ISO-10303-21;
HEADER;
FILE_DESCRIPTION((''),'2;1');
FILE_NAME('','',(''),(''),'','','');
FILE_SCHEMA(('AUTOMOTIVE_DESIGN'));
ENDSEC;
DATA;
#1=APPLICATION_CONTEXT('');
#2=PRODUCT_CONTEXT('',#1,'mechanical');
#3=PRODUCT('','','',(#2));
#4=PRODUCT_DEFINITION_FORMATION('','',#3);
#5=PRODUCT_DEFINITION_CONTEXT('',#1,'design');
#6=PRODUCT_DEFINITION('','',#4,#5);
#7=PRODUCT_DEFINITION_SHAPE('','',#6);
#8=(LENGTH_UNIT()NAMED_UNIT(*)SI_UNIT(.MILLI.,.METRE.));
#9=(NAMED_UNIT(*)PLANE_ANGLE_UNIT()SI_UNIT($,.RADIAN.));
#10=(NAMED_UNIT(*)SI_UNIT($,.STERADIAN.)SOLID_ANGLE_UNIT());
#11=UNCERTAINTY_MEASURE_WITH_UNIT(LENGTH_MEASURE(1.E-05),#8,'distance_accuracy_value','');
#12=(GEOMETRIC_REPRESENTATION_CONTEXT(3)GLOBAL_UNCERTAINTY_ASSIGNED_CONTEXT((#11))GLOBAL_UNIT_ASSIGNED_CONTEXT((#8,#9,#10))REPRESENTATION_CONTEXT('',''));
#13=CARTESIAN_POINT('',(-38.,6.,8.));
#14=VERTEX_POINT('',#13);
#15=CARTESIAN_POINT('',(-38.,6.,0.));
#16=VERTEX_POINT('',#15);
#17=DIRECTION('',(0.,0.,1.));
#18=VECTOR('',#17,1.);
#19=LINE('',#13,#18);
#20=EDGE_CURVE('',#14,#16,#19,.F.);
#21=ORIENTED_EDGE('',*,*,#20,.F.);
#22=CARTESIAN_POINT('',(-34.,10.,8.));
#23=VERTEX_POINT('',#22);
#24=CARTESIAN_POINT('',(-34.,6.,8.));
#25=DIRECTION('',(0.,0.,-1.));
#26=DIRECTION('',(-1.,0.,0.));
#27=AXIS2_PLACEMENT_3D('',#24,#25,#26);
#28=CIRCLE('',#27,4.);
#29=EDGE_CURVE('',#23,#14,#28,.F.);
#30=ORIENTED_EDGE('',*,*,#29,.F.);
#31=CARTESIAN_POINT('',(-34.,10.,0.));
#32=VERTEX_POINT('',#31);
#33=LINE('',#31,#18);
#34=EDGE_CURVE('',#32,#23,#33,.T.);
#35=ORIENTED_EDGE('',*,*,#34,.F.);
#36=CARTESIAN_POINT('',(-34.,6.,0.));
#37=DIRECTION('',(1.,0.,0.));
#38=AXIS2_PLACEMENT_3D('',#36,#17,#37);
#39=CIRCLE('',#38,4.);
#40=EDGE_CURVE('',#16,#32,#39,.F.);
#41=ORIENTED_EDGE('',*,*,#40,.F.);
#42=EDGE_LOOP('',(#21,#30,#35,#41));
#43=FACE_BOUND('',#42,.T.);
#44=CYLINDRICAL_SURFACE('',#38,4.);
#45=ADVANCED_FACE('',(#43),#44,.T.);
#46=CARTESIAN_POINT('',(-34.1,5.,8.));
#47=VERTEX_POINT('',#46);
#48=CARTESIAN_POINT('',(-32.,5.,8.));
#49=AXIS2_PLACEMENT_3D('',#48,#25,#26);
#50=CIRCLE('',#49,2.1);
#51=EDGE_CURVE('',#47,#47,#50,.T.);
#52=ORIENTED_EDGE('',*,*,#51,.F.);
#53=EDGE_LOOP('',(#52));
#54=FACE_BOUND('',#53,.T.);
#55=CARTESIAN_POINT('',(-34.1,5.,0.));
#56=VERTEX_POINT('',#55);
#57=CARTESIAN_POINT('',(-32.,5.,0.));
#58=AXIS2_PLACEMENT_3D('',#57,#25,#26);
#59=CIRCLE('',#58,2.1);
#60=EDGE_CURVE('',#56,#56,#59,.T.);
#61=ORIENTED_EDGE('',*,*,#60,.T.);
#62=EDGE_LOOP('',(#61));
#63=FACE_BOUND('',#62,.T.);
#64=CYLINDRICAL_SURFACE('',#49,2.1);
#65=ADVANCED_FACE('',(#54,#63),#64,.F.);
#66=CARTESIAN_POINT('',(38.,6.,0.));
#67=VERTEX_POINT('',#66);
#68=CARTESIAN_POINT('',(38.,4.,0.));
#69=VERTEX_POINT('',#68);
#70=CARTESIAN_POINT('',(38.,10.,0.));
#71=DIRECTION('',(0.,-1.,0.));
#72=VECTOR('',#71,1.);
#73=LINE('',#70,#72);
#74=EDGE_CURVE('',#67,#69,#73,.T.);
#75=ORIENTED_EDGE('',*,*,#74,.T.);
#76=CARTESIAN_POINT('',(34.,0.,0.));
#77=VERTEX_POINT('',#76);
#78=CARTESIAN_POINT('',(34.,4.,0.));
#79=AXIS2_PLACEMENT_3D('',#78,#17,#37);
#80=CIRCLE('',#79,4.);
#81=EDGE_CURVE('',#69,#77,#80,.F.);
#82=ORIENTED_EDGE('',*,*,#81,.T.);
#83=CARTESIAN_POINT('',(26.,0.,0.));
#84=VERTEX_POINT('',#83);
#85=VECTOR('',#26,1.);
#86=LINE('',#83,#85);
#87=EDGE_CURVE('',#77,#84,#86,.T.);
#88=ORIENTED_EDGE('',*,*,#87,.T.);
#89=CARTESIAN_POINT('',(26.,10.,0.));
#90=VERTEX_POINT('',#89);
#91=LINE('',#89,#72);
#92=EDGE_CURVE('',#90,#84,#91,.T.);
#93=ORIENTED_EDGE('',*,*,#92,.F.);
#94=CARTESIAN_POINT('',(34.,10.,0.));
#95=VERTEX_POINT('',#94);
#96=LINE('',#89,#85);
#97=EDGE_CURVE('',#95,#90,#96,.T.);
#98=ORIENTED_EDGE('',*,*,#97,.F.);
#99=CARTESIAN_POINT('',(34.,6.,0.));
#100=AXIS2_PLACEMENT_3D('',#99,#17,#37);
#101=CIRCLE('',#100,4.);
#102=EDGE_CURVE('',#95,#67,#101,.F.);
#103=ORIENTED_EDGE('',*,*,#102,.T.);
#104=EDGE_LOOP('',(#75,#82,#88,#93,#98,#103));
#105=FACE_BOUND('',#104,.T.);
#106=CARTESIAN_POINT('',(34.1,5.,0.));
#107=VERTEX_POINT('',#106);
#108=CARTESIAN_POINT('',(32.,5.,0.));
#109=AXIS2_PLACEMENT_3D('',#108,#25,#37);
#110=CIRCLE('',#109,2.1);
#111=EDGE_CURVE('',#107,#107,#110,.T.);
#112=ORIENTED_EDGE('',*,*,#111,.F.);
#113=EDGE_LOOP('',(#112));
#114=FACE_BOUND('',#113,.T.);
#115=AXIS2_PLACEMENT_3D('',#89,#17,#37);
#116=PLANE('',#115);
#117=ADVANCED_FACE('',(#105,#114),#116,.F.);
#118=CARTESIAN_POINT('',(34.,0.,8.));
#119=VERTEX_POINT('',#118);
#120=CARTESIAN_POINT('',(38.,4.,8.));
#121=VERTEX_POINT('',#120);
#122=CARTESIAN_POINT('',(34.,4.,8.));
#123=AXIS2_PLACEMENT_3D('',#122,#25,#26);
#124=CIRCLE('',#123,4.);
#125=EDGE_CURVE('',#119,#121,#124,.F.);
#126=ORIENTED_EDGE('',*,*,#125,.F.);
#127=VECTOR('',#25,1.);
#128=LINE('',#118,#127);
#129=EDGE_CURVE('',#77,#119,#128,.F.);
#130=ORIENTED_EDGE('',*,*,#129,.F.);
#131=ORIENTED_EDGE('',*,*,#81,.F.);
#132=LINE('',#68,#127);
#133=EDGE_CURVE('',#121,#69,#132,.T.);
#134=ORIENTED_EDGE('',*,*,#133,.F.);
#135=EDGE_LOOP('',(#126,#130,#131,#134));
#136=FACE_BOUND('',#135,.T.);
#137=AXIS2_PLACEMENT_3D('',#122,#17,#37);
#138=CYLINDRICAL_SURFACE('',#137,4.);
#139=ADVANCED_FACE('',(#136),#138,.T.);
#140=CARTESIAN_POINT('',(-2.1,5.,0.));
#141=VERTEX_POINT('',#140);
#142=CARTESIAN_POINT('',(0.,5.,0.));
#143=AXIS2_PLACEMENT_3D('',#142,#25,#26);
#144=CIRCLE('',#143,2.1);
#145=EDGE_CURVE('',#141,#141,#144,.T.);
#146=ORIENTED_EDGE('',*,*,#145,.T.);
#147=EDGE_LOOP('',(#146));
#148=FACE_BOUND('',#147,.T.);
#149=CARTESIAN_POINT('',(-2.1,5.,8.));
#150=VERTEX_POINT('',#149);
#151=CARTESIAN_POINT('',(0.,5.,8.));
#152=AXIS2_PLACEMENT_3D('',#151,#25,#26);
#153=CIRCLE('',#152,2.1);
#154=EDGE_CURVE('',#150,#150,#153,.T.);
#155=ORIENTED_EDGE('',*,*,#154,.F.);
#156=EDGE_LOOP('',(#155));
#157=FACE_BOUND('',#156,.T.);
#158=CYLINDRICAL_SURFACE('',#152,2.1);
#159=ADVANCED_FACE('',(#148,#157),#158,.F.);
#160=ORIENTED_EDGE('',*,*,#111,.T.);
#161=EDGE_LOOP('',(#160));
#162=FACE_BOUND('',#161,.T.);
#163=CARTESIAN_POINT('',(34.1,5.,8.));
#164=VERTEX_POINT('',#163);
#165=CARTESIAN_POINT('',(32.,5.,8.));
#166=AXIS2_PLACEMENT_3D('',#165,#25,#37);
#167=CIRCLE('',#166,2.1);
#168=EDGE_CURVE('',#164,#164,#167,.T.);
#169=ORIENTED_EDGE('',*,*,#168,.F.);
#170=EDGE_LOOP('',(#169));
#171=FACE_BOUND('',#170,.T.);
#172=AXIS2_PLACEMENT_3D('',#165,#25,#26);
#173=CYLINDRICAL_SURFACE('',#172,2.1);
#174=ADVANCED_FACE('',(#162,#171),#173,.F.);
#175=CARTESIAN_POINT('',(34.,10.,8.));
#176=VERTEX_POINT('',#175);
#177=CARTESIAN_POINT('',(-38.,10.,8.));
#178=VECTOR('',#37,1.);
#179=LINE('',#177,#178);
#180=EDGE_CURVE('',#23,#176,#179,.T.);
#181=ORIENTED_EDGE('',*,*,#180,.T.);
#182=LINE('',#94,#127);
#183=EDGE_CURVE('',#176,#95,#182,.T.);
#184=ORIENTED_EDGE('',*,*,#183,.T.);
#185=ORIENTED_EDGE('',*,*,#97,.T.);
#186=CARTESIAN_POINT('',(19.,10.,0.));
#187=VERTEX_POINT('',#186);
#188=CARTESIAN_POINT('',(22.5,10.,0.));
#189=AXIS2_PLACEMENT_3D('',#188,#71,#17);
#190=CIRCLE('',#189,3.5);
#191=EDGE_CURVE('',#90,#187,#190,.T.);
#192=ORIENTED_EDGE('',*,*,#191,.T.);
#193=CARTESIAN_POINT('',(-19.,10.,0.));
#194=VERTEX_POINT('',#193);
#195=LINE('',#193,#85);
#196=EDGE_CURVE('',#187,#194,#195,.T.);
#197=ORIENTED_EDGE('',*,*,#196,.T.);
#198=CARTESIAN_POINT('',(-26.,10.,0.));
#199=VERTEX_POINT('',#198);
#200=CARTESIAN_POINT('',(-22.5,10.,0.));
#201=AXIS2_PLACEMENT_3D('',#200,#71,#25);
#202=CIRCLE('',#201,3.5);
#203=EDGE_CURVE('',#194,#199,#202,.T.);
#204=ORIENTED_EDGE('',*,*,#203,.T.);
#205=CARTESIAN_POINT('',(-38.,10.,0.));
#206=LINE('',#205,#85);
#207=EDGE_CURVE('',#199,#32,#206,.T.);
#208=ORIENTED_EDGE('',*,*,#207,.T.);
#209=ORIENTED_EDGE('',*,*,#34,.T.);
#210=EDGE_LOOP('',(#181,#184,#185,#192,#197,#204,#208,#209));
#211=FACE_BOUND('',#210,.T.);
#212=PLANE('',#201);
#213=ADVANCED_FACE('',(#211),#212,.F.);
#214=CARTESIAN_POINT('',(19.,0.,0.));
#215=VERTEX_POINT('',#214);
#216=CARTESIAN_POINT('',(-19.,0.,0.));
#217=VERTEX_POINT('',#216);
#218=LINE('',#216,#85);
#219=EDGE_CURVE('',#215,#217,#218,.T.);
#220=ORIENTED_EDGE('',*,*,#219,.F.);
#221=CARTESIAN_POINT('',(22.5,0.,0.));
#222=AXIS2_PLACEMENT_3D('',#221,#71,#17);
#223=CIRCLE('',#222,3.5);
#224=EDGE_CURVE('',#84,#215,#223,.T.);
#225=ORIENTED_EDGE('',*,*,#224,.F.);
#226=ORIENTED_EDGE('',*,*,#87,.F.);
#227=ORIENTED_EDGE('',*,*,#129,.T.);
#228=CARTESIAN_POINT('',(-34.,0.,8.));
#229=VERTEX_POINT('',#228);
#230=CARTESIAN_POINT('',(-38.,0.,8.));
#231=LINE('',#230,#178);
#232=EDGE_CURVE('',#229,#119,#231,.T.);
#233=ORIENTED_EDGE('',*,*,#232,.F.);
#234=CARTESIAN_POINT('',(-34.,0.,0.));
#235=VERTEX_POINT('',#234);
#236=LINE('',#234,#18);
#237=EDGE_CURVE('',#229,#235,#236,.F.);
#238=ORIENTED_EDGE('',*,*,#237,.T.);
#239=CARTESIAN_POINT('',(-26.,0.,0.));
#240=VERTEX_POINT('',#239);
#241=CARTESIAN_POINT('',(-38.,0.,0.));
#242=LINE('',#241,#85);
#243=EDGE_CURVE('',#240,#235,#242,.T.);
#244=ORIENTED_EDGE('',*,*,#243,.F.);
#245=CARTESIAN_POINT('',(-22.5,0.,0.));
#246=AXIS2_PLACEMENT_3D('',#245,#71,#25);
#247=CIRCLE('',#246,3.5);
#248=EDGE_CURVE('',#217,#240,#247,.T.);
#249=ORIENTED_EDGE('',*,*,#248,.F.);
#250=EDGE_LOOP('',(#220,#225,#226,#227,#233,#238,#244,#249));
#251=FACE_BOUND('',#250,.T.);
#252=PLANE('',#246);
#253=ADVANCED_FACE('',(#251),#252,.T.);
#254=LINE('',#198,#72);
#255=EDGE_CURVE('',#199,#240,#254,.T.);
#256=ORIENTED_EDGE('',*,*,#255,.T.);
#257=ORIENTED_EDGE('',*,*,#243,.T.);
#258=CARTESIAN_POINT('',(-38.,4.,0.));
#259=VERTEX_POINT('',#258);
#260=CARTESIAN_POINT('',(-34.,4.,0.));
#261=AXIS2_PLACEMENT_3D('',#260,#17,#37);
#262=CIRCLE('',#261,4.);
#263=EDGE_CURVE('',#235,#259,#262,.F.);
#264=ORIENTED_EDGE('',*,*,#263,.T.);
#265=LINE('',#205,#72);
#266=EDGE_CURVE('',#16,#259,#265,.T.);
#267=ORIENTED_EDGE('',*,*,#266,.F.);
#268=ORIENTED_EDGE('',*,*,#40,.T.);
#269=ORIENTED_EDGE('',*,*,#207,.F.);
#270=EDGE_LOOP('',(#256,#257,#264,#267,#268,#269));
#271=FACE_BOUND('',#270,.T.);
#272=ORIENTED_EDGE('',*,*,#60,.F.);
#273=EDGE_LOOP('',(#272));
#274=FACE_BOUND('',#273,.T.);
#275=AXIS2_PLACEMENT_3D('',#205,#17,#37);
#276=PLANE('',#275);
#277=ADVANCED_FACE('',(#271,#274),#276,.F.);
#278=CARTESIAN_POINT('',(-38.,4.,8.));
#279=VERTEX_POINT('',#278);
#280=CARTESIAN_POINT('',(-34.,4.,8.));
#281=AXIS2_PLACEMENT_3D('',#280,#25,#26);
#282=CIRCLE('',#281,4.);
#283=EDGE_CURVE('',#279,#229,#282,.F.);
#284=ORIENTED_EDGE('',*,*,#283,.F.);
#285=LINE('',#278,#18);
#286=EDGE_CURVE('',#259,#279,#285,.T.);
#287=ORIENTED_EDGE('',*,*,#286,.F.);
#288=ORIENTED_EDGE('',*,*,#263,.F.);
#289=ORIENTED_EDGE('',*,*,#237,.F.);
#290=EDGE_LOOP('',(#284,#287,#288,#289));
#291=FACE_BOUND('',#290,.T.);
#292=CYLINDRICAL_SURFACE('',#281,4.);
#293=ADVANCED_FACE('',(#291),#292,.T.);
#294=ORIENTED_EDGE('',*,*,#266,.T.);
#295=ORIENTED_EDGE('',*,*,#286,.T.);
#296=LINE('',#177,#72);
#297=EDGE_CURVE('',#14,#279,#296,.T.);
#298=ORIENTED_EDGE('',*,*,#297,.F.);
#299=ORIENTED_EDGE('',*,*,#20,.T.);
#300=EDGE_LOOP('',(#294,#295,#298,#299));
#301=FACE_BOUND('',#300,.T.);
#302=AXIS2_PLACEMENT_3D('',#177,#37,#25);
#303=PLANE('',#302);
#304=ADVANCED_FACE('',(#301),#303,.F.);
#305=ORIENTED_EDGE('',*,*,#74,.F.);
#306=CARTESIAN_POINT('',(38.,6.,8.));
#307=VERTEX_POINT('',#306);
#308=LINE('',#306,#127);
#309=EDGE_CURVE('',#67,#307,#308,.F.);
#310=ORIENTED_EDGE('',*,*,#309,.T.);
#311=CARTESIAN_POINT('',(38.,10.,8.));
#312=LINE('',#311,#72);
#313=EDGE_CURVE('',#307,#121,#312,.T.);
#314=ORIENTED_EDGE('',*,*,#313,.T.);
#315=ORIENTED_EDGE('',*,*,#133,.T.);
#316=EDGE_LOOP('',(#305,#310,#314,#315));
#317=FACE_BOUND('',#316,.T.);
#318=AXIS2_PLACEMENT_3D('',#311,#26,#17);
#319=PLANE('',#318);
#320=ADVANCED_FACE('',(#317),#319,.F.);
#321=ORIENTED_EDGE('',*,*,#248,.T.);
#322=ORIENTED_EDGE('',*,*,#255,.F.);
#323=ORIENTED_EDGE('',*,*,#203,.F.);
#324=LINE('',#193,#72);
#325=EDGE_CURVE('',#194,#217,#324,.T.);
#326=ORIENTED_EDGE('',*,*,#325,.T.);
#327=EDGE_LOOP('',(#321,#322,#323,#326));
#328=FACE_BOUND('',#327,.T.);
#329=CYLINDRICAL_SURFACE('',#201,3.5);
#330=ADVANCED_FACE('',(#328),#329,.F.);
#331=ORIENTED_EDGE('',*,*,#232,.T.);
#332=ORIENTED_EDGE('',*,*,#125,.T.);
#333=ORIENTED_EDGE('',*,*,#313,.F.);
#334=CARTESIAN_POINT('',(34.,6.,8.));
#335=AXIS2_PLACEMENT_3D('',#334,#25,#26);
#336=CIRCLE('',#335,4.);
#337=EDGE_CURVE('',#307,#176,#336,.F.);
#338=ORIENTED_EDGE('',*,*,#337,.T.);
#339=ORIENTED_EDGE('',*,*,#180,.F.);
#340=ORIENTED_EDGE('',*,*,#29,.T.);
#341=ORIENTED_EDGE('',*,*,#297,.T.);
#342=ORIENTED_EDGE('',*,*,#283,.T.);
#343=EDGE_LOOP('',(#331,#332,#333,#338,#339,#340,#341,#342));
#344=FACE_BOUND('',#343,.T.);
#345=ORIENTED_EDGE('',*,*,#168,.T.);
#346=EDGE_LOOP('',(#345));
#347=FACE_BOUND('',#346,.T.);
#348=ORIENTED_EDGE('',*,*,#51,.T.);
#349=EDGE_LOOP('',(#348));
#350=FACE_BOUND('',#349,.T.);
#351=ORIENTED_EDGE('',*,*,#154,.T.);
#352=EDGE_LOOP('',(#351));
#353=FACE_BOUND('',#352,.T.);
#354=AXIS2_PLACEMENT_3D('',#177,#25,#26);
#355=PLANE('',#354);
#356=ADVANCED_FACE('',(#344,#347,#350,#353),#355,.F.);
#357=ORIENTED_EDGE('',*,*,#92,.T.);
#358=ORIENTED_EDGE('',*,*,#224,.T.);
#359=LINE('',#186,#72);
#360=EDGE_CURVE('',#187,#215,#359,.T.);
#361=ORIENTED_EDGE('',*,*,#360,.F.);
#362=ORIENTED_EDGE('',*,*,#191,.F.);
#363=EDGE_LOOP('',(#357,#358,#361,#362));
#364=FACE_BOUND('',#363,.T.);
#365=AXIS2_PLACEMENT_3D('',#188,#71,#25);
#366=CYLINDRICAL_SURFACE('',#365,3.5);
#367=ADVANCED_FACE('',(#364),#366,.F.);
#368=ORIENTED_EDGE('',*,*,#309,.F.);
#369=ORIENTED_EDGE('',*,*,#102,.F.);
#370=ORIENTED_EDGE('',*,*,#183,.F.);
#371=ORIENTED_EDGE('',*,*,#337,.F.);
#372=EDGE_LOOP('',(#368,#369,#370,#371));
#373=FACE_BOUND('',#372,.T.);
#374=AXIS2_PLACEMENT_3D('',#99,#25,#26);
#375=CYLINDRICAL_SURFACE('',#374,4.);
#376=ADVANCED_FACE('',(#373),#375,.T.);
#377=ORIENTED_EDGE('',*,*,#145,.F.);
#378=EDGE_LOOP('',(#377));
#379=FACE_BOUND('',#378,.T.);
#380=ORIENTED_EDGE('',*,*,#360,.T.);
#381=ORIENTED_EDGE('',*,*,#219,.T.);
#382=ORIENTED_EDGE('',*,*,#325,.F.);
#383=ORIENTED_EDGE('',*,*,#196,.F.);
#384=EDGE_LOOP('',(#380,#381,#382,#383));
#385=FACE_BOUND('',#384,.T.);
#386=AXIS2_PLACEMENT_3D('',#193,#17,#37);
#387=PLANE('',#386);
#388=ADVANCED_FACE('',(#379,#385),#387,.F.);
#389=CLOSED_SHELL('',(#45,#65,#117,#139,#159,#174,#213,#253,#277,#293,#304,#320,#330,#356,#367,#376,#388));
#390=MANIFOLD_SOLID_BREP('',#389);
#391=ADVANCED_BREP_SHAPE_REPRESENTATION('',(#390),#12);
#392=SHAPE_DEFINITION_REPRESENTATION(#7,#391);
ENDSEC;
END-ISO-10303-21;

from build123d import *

# Parameters (mm, degrees)
BOSS_EXTRUDE1_DEPTH = 10
SKETCH2_R           = 2.1
CUT_EXTRUDE1_DEPTH  = 9
FILLET1_R           = 4


with BuildPart() as part:
    # Sketch1 → Boss-Extrude1 (new body)
    with BuildSketch(Plane(origin=(0, 0, 0), x_dir=(1, 0, 0), z_dir=(0, 1, 0))):
        with BuildLine():
            Line((-38, -8), (38, -8))
            Line((38, -8), (38, 0))
            Line((38, 0), (26, 0))
            ThreePointArc((26, 0), (22.5, -3.5), (19, 0))
            Line((19, 0), (-19, 0))
            ThreePointArc((-19, 0), (-22.5, -3.5), (-26, 0))
            Line((-26, 0), (-38, 0))
            Line((-38, 0), (-38, -8))
        make_face()
    extrude(amount=BOSS_EXTRUDE1_DEPTH)

    # Sketch2 → Cut-Extrude1 (cut, through all)
    with BuildSketch(Plane(origin=(0, 0, 0), x_dir=(-1, 0, 0), z_dir=(0, 0, -1))):
        with Locations((32, 5)):
            Circle(SKETCH2_R)
        with Locations((-32, 5)):
            Circle(SKETCH2_R)
        with Locations((0, 5)):
            Circle(SKETCH2_R)
    extrude(amount=-CUT_EXTRUDE1_DEPTH, mode=Mode.SUBTRACT)

    # Fillet1
    fillet1_edges = [part.edges().sort_by_distance(p)[0] for p in [
        (38, 0, 4),
        (-38, 0, 4),
        (38, 10, 4),
        (-38, 10, 4),
    ]]
    fillet(fillet1_edges, radius=FILLET1_R)


solid = part.part
